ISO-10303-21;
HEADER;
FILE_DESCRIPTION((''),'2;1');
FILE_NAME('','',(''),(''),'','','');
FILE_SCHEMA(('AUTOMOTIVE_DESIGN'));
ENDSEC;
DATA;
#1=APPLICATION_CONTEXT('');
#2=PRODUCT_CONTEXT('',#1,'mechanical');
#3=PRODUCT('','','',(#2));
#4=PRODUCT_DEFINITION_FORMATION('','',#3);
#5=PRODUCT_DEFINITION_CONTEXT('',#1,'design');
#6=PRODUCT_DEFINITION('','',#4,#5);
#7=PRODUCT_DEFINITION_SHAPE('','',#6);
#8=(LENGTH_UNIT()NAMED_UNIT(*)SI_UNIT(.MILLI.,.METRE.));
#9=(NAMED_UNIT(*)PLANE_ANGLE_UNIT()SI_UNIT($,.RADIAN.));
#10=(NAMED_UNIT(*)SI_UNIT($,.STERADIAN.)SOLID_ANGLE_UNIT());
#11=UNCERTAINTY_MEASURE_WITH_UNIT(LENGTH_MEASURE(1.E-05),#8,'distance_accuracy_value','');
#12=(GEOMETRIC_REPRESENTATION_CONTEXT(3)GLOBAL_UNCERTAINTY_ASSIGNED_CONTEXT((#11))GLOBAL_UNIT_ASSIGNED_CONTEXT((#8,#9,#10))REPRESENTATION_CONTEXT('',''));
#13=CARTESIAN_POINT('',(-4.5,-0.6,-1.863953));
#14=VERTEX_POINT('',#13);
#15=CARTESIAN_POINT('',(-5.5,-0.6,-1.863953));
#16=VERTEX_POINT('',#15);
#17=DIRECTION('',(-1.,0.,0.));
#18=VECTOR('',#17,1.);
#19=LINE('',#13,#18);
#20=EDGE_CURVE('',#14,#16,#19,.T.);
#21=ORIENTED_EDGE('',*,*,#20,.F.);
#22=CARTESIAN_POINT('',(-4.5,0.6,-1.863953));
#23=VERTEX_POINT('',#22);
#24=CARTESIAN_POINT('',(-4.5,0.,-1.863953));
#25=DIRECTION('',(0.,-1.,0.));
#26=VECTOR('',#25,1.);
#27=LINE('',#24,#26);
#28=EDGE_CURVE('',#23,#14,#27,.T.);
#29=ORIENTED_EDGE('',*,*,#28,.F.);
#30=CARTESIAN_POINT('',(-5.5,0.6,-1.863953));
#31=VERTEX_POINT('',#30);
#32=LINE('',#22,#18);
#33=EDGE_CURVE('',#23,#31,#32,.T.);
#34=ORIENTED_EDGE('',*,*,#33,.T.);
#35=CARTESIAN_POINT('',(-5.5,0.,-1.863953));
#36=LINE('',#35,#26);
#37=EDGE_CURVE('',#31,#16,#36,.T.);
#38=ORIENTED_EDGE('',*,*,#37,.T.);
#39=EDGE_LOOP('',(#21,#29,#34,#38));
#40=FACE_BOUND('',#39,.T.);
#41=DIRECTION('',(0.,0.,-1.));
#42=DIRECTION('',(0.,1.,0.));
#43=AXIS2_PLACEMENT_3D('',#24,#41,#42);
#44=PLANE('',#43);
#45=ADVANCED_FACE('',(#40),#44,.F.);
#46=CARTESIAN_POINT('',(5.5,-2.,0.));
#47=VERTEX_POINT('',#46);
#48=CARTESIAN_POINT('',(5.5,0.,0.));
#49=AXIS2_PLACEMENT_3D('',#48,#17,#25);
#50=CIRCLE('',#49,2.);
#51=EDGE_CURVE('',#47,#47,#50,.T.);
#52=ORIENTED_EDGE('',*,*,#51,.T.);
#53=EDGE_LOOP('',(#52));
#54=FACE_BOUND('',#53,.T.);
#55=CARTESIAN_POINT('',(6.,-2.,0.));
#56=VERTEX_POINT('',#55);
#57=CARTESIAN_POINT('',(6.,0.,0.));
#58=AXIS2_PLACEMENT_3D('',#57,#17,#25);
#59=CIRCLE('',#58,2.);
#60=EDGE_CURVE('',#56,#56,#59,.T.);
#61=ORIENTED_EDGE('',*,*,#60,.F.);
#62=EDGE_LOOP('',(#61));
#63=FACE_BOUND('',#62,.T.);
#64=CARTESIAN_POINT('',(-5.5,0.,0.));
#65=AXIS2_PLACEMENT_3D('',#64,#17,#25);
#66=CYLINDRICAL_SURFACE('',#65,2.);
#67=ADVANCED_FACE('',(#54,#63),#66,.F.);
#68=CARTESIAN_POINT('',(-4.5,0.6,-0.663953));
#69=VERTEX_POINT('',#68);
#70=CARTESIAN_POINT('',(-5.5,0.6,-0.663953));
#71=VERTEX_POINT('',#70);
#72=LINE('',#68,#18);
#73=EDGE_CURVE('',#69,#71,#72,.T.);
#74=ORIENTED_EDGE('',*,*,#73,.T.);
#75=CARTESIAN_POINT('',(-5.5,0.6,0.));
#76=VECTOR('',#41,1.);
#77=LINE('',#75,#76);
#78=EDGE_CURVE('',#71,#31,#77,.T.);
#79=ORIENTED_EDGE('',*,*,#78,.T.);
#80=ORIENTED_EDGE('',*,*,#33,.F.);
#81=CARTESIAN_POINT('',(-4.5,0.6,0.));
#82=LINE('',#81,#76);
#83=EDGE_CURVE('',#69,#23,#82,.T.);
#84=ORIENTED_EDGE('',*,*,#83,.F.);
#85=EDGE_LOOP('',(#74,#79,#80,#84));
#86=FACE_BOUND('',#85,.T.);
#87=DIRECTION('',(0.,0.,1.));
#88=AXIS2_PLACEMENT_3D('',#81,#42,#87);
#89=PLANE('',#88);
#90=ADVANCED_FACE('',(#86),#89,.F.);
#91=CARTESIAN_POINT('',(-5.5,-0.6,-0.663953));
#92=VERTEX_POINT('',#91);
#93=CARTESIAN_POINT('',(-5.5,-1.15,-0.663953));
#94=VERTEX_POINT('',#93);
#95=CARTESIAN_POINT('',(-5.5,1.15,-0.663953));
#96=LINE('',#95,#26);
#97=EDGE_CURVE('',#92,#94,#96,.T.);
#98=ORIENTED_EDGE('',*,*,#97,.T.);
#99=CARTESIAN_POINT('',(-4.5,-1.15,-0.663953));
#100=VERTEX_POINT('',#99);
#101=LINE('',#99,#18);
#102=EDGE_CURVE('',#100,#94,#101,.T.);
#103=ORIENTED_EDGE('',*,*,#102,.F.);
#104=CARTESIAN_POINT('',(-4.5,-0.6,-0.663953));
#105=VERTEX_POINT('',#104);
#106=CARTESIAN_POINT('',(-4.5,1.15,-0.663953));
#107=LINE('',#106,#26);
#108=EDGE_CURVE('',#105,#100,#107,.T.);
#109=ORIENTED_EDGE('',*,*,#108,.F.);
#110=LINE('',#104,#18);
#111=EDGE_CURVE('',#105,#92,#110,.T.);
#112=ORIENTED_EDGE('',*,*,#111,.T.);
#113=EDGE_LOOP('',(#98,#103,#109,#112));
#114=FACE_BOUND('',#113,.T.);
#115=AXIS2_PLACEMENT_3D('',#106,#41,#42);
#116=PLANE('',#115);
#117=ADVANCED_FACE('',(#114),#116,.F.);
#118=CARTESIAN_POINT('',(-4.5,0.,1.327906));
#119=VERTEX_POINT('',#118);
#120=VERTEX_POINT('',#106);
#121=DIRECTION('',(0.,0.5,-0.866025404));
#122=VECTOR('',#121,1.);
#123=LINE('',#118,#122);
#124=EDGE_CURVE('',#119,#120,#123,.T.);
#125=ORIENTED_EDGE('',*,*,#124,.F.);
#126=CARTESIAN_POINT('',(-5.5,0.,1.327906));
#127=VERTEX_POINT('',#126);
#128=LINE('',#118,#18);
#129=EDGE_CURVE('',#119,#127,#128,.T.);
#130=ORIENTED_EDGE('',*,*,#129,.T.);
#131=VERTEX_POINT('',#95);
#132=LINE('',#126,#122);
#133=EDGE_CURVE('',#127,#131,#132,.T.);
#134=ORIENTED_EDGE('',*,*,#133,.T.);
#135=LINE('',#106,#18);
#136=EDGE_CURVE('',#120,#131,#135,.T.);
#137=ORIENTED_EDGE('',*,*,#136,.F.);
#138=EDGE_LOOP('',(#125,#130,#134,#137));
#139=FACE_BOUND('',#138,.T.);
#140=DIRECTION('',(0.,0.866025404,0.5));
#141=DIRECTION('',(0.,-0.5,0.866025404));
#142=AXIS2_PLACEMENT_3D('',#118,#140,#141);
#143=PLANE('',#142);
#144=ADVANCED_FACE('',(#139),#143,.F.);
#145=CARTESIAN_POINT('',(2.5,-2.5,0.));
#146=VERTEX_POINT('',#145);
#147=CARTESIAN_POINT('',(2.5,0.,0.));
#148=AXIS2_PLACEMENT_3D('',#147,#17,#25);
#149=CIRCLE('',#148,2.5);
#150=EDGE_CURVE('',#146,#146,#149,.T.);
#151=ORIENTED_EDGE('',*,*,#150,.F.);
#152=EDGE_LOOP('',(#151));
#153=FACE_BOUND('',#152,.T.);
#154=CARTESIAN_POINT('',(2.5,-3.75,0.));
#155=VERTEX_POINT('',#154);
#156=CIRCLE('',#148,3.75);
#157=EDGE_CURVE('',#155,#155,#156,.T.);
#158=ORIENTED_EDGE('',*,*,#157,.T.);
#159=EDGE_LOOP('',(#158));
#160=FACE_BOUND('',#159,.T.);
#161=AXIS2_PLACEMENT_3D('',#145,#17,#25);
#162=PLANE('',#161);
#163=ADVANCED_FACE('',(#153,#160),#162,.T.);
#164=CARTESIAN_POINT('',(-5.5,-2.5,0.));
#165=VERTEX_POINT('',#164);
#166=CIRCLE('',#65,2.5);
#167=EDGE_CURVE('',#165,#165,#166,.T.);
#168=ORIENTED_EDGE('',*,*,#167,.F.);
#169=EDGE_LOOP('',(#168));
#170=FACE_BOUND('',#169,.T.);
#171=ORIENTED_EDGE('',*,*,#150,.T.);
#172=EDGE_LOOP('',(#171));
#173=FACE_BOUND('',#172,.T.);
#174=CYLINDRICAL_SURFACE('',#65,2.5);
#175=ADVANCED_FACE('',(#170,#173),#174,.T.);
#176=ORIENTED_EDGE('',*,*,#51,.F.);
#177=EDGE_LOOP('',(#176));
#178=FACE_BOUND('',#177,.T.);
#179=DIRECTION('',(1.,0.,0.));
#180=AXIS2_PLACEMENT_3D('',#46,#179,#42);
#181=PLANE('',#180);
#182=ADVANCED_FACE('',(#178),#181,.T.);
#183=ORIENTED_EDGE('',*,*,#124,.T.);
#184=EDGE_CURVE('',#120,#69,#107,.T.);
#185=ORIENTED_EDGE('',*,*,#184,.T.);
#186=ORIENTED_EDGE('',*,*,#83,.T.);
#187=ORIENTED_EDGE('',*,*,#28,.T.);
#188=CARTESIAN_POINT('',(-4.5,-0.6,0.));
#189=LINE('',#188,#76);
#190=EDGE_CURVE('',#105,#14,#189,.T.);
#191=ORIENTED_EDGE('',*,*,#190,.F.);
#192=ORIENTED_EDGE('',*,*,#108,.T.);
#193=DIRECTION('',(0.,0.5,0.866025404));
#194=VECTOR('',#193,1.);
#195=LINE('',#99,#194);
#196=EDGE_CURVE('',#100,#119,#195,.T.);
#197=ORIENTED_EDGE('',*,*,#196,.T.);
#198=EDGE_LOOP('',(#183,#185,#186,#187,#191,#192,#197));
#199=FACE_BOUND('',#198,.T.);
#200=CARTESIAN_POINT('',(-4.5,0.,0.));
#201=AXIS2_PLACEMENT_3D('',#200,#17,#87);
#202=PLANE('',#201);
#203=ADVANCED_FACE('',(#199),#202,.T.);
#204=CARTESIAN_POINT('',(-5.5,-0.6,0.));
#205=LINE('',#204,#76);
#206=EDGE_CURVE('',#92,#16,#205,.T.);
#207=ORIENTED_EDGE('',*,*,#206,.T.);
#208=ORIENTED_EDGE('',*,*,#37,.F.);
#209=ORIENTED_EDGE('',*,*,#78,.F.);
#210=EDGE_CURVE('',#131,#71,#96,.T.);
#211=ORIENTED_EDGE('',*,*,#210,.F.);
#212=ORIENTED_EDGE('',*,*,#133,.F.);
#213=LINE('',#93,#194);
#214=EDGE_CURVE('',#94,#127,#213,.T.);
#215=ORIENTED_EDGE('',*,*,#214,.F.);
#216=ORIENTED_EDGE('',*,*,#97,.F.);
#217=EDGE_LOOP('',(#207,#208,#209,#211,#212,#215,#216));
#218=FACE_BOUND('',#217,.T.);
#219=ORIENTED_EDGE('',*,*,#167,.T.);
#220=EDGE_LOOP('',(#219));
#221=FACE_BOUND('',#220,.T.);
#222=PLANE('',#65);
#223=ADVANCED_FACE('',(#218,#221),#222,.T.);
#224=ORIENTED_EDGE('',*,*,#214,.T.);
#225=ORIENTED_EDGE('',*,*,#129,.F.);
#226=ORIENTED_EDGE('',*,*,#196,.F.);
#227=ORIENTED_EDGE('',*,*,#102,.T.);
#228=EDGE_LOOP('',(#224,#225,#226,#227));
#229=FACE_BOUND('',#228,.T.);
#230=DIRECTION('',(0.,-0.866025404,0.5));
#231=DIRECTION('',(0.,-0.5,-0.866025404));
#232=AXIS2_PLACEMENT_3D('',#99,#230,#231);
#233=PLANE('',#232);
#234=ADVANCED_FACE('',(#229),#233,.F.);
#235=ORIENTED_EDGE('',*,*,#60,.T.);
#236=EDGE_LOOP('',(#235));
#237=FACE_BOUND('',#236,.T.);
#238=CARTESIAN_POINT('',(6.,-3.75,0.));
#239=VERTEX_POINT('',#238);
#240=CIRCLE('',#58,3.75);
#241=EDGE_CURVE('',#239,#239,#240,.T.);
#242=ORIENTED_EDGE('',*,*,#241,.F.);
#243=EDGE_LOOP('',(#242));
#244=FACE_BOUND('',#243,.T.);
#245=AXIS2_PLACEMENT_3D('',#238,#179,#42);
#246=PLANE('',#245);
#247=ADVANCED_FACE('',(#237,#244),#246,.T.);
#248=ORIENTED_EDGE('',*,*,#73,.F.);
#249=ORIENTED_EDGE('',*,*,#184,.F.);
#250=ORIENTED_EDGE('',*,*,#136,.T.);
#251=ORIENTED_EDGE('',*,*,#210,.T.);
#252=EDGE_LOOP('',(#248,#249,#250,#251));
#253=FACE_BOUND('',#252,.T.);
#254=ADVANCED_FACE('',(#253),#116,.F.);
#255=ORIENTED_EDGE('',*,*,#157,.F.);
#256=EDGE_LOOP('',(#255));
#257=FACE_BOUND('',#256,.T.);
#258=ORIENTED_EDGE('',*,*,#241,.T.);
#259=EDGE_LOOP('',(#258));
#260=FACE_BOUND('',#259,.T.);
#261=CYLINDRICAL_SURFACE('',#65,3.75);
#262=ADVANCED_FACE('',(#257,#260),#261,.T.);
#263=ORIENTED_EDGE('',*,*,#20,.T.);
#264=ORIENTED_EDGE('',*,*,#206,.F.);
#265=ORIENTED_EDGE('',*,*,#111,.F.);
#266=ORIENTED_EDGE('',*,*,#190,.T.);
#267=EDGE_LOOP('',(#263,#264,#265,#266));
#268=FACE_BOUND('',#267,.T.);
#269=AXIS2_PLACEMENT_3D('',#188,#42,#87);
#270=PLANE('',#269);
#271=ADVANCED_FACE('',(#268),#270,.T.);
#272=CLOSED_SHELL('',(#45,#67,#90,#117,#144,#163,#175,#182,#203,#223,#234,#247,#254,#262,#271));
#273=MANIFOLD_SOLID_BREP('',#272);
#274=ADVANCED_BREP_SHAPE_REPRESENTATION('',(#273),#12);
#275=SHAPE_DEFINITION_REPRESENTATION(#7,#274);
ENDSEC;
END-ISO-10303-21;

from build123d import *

# Parameters (mm, degrees)
ESBO_O2_W             = 1.2
ESBO_O2_H             = 1.2
CORTE_EXTRUS_O1_DEPTH = 1


with BuildPart() as part:
    # Esboço1 → Revolução1 (revolve)
    with BuildSketch(Plane(origin=(0, 0, 0), x_dir=(0, 1, 0), z_dir=(0, 0, 1))):
        Polygon((0, 5.5), (-2.5, 5.5), (-2.5, -2.5), (-3.75, -2.5), (-3.75, -3.560606061), (-3.75, -6), (-2, -6), (-2, -5.5), (0, -5.5), align=None)
    revolve(axis=Axis((-5.5, 0, 0), (1, 0, 0)))

    # Esboço2 → Corte-extrusão1 (cut)
    with BuildSketch(Plane.ZY.offset(5.5)):
        Polygon((-0.66395281, -1.15), (1.327905619, 0), (-0.66395281, 1.15), align=None)
        with Locations((-1.26395281, 0)):
            Rectangle(ESBO_O2_W, ESBO_O2_H)
    extrude(amount=-CORTE_EXTRUS_O1_DEPTH, mode=Mode.SUBTRACT)


solid = part.part
